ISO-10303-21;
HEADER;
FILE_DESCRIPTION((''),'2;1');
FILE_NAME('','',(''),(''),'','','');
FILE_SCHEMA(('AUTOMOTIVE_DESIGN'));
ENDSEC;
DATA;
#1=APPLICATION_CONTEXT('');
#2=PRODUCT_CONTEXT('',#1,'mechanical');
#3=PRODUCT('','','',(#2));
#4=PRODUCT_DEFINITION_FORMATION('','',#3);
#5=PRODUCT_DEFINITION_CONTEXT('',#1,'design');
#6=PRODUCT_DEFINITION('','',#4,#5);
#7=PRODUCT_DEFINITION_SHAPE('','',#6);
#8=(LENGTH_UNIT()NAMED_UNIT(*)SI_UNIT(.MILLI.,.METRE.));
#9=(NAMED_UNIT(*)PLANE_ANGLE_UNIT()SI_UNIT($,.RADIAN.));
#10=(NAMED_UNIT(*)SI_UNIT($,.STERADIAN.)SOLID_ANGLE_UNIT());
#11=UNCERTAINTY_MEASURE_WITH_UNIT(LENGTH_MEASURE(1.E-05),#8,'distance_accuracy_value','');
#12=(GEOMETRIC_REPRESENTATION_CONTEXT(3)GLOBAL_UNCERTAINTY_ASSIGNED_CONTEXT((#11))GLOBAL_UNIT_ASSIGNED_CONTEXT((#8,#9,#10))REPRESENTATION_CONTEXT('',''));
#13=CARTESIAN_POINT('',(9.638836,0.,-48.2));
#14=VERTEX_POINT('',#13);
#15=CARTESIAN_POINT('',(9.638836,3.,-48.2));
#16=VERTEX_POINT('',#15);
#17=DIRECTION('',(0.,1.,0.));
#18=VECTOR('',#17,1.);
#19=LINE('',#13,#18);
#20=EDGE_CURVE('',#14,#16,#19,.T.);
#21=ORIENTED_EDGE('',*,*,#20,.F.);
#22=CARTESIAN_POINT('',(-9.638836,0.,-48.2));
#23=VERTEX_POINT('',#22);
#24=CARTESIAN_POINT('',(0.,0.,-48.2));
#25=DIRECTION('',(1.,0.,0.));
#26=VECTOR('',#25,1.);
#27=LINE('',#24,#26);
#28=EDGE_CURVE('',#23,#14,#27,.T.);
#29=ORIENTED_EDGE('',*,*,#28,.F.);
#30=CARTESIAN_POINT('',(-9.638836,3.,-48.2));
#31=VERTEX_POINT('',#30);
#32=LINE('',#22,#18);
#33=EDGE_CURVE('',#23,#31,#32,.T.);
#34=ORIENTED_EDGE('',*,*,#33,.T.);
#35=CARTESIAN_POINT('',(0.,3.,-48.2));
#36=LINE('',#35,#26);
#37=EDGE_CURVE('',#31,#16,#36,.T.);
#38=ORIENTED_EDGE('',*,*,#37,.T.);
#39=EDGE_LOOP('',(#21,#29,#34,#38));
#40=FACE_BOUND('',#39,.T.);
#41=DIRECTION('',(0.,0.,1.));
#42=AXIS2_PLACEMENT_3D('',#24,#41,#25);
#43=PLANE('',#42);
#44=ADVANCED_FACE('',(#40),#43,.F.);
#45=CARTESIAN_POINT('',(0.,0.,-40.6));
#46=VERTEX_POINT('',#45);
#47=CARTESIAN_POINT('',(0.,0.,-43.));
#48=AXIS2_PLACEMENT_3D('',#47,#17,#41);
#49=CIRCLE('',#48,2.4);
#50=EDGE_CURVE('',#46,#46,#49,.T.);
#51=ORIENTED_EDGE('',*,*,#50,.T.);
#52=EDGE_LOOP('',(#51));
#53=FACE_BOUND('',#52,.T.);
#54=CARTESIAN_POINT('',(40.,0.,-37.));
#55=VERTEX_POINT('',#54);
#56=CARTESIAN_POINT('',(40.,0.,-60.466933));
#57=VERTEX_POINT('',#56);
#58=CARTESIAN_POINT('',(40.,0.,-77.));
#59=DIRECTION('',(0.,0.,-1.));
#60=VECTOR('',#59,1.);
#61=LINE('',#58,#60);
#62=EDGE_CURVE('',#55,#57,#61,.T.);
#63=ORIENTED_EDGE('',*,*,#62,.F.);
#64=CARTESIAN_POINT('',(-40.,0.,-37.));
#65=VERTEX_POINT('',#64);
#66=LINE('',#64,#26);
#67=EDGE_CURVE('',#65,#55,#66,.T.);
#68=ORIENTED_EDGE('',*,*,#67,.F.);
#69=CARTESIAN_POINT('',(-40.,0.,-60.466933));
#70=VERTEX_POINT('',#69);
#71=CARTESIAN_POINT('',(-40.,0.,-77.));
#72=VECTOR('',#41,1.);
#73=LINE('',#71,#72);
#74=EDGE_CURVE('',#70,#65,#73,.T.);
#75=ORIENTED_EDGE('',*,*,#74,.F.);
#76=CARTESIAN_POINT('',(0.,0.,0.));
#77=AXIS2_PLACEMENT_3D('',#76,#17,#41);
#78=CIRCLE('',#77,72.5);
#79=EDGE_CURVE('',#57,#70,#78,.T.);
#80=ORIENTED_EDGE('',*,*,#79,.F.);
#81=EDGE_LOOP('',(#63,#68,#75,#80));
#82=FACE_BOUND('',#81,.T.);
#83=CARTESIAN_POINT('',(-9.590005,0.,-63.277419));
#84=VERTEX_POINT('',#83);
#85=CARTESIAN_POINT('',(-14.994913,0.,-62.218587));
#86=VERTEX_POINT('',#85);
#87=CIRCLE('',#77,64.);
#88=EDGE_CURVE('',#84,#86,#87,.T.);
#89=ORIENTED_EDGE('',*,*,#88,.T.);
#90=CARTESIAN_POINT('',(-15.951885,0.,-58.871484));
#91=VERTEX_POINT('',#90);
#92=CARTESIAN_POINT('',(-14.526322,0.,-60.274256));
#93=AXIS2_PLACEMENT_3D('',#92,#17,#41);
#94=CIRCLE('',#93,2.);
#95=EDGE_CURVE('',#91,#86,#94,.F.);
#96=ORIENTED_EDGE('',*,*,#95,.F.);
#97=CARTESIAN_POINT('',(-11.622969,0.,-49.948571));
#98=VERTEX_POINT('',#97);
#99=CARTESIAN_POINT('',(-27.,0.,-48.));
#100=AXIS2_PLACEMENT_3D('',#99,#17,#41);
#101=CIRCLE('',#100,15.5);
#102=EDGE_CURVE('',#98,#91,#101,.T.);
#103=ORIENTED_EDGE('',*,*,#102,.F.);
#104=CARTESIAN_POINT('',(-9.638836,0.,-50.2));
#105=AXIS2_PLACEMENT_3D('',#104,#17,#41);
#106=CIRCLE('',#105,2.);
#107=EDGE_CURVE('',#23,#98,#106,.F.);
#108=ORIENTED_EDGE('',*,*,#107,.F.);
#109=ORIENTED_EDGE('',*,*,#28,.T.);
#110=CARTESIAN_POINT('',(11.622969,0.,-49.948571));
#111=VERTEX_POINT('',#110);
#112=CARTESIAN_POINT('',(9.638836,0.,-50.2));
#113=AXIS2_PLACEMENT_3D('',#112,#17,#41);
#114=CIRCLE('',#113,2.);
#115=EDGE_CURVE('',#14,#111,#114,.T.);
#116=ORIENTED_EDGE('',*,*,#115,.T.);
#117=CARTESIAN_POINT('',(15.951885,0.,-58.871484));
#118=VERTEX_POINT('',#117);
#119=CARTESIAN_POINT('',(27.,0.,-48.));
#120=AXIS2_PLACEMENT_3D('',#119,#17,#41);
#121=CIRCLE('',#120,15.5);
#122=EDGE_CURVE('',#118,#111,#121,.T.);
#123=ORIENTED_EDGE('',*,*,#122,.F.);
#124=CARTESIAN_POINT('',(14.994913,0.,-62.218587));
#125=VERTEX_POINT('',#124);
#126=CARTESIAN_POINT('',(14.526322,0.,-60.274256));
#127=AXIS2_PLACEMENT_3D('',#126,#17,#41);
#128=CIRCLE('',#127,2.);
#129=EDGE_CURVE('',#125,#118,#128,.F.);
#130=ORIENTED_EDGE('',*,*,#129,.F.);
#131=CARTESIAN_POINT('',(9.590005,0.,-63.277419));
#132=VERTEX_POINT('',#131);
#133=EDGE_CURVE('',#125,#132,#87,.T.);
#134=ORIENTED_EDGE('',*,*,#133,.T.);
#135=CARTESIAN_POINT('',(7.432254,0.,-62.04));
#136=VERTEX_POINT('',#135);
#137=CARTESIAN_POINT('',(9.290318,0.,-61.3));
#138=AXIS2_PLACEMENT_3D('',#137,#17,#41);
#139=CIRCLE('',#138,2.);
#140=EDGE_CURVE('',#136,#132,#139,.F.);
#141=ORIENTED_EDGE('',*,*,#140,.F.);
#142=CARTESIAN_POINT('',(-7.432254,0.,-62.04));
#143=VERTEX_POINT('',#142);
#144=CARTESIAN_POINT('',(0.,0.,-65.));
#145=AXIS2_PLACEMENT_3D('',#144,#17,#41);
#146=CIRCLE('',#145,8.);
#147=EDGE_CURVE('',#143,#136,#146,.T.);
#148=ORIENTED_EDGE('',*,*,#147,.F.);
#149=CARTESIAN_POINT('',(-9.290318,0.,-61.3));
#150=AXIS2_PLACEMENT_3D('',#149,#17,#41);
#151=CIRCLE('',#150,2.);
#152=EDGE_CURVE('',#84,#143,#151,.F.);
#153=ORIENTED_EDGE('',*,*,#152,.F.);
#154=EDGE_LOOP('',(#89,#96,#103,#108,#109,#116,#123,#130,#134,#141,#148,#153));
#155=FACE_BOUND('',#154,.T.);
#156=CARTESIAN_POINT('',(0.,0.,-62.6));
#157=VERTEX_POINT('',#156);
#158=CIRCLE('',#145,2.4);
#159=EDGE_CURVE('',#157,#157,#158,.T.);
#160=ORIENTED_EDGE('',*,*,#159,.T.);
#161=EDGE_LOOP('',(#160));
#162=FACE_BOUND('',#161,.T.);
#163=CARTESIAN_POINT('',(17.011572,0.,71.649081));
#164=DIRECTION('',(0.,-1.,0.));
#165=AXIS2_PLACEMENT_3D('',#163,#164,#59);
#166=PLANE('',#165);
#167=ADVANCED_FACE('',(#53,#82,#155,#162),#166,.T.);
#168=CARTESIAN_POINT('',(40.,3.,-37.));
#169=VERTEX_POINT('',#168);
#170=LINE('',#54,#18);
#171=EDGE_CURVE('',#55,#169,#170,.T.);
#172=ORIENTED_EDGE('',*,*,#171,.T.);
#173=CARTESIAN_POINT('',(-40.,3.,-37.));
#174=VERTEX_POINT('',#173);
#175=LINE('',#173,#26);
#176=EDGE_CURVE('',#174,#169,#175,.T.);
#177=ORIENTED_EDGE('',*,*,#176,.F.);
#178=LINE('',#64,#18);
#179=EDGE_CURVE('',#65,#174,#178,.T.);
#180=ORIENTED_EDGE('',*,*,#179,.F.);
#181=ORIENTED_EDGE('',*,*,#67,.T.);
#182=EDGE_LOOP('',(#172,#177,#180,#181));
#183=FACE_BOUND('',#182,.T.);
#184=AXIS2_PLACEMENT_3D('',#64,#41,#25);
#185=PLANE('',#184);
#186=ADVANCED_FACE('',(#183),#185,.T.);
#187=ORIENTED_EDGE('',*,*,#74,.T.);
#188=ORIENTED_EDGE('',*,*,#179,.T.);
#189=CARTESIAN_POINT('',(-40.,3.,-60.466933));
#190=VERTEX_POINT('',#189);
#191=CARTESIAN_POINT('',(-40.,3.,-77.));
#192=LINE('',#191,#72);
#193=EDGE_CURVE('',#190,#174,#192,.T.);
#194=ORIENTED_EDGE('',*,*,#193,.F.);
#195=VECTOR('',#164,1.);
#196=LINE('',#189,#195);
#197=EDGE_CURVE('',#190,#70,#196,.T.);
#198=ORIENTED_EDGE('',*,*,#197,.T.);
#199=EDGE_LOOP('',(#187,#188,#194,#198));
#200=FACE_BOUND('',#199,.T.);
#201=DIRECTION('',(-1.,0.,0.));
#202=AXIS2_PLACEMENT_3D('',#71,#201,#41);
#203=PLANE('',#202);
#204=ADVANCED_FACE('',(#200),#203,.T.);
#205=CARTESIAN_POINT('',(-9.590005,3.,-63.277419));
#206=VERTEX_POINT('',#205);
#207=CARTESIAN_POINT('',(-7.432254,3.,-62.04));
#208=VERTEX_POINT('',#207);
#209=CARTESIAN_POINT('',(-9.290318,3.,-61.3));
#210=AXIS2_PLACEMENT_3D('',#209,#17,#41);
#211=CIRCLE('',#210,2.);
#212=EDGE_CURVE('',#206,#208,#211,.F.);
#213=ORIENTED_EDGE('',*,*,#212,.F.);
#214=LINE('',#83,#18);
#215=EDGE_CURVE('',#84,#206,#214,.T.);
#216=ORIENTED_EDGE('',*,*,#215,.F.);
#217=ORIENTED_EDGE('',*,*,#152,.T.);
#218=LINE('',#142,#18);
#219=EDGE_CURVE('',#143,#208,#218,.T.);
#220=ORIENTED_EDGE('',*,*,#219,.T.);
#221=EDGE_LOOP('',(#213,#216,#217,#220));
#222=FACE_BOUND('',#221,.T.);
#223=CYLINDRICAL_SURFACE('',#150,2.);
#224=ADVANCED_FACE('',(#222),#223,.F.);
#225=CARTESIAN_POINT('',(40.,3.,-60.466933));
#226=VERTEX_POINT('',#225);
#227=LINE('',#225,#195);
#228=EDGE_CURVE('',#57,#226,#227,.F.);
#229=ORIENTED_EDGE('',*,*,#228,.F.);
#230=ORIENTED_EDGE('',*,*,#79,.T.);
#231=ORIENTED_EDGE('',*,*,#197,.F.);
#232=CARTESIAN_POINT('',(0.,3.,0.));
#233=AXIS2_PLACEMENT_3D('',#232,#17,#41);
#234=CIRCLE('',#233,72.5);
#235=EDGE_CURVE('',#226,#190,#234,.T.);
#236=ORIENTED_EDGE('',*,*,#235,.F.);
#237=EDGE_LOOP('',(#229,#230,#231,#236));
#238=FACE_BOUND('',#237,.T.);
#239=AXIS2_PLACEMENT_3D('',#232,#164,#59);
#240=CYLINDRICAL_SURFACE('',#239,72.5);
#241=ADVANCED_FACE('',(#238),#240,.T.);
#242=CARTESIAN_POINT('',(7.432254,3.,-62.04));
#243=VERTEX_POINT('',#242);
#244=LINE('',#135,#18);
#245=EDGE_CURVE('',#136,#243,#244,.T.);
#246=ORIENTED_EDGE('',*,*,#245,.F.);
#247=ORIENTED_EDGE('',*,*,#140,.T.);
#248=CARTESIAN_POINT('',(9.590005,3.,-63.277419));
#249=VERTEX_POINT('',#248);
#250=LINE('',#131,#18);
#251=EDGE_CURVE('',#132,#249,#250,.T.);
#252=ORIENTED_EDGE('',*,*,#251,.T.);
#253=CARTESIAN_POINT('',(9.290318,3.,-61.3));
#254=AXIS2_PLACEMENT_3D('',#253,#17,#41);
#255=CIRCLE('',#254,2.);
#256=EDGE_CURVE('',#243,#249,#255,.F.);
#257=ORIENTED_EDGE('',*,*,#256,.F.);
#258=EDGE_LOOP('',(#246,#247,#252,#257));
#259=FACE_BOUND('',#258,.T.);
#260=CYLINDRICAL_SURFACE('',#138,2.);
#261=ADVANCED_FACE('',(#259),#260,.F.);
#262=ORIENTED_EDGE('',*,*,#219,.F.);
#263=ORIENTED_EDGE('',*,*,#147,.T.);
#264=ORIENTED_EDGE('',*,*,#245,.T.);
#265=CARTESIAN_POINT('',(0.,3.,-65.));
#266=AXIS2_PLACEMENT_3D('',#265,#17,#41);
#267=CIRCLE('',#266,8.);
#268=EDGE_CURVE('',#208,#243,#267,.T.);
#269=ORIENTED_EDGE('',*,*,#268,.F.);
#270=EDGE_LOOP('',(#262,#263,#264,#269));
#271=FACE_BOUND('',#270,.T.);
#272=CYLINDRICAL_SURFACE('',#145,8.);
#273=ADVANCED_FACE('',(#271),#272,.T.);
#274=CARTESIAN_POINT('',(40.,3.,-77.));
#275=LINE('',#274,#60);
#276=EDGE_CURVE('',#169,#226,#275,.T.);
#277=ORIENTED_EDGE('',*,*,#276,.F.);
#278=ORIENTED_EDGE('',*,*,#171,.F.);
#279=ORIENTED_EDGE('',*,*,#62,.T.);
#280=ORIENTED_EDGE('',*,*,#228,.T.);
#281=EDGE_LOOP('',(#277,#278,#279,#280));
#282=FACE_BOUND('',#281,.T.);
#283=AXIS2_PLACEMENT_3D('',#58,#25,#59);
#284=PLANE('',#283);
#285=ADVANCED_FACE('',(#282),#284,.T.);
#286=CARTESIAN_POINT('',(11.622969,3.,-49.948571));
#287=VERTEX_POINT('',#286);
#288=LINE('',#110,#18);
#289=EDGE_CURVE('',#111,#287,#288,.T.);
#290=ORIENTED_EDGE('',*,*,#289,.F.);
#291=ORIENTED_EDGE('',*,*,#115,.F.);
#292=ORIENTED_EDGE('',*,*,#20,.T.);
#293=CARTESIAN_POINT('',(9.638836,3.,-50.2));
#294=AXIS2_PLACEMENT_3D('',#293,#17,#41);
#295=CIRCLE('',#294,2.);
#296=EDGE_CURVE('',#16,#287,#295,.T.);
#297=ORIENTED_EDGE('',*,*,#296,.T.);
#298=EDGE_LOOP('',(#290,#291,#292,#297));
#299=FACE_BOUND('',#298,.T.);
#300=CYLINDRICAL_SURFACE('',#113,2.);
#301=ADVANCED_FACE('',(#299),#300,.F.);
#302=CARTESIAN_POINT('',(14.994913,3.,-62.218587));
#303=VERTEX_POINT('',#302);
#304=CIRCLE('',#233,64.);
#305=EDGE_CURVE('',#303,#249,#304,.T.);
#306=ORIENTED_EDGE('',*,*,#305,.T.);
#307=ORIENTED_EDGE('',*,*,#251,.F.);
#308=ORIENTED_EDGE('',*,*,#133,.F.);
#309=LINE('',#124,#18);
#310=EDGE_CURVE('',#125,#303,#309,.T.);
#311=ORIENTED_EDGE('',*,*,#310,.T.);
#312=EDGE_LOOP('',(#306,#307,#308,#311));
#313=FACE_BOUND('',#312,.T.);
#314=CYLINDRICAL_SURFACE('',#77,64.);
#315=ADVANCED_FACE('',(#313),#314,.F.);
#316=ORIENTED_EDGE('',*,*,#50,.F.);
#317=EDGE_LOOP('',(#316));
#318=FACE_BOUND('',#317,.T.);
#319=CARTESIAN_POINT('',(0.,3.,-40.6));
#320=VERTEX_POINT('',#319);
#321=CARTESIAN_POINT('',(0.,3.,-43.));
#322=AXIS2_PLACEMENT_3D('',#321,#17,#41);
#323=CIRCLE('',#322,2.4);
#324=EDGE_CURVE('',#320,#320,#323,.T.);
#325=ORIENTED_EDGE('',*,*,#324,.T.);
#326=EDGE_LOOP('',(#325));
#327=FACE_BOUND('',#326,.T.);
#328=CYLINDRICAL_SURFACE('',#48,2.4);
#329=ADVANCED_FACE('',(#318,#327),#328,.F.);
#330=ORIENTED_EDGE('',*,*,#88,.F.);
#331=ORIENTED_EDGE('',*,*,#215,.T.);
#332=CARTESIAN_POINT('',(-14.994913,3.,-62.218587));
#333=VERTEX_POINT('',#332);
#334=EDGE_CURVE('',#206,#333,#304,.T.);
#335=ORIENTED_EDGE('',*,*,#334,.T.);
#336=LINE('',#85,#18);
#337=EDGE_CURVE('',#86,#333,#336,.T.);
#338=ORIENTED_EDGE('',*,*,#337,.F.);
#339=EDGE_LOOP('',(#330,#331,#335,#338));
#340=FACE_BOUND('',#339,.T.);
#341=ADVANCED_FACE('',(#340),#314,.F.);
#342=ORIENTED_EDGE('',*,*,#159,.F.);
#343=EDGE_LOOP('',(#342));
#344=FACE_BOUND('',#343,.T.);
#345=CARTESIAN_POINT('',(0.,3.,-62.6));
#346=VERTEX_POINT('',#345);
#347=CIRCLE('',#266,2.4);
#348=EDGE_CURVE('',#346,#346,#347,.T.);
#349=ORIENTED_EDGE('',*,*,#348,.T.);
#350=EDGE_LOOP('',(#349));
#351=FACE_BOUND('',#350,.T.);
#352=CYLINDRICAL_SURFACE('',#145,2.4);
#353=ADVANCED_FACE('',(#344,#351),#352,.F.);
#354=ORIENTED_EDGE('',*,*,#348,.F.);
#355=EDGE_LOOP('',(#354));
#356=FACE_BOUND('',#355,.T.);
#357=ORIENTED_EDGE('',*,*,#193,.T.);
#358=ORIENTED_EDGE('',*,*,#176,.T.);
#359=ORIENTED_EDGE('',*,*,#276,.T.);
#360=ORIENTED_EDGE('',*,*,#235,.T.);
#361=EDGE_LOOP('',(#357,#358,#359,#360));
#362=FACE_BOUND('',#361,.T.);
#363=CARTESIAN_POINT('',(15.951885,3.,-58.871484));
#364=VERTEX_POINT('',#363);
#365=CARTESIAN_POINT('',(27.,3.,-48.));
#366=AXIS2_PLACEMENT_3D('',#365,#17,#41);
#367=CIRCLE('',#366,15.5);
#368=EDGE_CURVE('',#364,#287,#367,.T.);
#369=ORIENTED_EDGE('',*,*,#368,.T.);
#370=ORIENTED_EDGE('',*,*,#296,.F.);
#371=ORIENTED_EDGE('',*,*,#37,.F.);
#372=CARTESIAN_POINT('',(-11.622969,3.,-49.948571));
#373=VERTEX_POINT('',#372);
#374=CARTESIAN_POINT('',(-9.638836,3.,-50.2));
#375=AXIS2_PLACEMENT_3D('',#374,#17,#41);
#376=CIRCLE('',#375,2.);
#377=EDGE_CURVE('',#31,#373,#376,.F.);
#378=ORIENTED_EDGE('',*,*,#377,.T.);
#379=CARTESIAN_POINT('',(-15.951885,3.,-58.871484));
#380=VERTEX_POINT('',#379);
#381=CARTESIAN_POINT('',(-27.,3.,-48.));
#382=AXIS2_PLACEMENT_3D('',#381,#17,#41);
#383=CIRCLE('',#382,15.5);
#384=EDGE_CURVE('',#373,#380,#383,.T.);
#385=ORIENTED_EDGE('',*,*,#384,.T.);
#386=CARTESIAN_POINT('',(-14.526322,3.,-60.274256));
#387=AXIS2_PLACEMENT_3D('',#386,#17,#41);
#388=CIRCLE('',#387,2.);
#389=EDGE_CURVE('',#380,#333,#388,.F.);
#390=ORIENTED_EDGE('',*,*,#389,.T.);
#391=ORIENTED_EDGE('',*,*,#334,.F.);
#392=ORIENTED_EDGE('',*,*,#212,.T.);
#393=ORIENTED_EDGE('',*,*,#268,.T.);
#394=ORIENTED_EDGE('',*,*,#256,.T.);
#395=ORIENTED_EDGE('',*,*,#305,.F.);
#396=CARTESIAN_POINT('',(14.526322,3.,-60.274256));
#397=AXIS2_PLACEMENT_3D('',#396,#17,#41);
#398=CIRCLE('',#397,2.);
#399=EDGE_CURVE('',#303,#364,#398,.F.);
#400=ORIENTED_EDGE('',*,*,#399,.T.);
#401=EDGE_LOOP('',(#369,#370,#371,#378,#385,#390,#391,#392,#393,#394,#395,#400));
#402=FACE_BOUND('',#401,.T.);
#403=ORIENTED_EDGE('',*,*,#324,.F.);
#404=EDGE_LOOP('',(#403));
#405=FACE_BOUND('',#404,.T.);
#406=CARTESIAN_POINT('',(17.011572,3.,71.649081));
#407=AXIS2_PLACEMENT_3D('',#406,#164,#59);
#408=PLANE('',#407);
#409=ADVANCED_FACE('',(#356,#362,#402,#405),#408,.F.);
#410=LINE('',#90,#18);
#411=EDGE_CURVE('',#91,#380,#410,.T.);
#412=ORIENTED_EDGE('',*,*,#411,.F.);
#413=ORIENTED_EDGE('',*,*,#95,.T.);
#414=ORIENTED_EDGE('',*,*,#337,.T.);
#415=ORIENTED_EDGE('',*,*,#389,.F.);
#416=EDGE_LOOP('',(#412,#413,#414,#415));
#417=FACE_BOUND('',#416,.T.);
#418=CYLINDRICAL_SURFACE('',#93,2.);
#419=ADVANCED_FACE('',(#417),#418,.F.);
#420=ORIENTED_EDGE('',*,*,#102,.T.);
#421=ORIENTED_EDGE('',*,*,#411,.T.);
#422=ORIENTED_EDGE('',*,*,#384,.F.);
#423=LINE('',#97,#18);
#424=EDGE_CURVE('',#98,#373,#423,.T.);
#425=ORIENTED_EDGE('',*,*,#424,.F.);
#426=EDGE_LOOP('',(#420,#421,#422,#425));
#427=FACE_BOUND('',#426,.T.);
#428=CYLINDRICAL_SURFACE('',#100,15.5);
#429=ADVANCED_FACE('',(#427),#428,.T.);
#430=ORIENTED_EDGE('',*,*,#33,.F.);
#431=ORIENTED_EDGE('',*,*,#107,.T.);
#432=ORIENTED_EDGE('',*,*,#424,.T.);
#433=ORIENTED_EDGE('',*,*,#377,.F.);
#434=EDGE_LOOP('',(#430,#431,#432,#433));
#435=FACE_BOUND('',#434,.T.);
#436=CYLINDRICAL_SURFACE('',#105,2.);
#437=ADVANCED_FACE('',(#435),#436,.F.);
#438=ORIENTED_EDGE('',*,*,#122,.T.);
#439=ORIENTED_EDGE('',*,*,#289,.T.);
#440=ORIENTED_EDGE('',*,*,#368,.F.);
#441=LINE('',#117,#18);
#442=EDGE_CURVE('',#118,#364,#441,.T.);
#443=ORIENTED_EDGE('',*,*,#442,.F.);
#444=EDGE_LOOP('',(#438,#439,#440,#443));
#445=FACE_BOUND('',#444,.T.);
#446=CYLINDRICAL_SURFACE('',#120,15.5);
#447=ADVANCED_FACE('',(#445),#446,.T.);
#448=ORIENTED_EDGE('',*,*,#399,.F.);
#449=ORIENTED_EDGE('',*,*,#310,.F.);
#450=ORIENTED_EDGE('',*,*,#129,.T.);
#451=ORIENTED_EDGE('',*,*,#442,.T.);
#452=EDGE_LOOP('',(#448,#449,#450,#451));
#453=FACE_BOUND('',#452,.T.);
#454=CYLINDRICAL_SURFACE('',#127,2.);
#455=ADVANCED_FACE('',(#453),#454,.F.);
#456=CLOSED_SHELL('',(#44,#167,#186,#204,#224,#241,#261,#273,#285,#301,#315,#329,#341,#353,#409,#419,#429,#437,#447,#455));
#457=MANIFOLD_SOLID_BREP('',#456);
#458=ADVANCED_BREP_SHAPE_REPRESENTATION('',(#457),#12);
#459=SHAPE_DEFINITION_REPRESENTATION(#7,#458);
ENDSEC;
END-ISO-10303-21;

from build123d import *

# Parameters (mm, degrees)
BOSS_EXTRUDE1_DEPTH  = 3
CUT_EXTRUDE14_DEPTH  = 103.574363269
SKETCH14_OUTSIDE_W   = 186.736
SKETCH14_OUTSIDE_H   = 177.534
SKETCH14_OUTSIDE_W_2 = 80
SKETCH14_OUTSIDE_H_2 = 40
CUT_EXTRUDE15_DEPTH  = 103.574363269
SKETCH15_R           = 2.4
CUT_EXTRUDE16_DEPTH  = 83.856804186


with BuildPart() as part:
    # Sketch1 → Boss-Extrude1 (new body)
    with BuildSketch(Plane(origin=(0, 0, 0), x_dir=(1, 0, 0), z_dir=(0, 1, 0))):
        with BuildLine():
            ThreePointArc((36.543377003, -62.616544118), (0, 72.5), (-36.543377003, -62.616544118))
            ThreePointArc((-36.543377003, -62.616544118), (-33.085954668, -63.20954405), (-30.089832649, -61.38507948))
            ThreePointArc((-30.089832649, -61.38507948), (0, -46.75), (30.089832649, -61.38507948))
            ThreePointArc((30.089832649, -61.38507948), (33.085954668, -63.20954405), (36.543377003, -62.616544118))
        make_face()
    extrude(amount=BOSS_EXTRUDE1_DEPTH)

    # Sketch13 → Cut-Extrude14 (cut, through all)
    with BuildSketch(Plane(origin=(0, 3, 0), x_dir=(1, 0, 0), z_dir=(0, 1, 0))):
        with BuildLine():
            ThreePointArc((-11.622969422, 49.948571429), (-10.961172041, 48.699523885), (-9.638836445, 48.2))
            Line((-9.638836445, 48.2), (9.638836445, 48.2))
            ThreePointArc((9.638836445, 48.2), (10.961172041, 48.699523885), (11.622969422, 49.948571429))
            ThreePointArc((11.622969422, 49.948571429), (13.054510917, 54.765599326), (15.951885484, 58.871484058))
            ThreePointArc((15.951885484, 58.871484058), (16.449270482, 60.8240474), (14.994913363, 62.21858704))
            ThreePointArc((14.994913363, 62.21858704), (12.303854546, 62.806171379), (9.590005203, 63.277419355))
            ThreePointArc((9.590005203, 63.277419355), (8.295362524, 63.03495375), (7.432254032, 62.04))
            ThreePointArc((7.432254032, 62.04), (0, 57), (-7.432254032, 62.04))
            ThreePointArc((-7.432254032, 62.04), (-8.295362524, 63.03495375), (-9.590005203, 63.277419355))
            ThreePointArc((-9.590005203, 63.277419355), (-12.303854546, 62.806171379), (-14.994913363, 62.21858704))
            ThreePointArc((-14.994913363, 62.21858704), (-16.449270482, 60.8240474), (-15.951885484, 58.871484058))
            ThreePointArc((-15.951885484, 58.871484058), (-13.054510917, 54.765599326), (-11.622969422, 49.948571429))
        make_face()
    extrude(amount=-CUT_EXTRUDE14_DEPTH, mode=Mode.SUBTRACT)

    # Sketch14 outside → Cut-Extrude15 (cut, through all)
    with BuildSketch(Plane(origin=(0, 3, 0), x_dir=(1, 0, 0), z_dir=(0, 1, 0))):
        with Locations((0, 4.601)):
            Rectangle(SKETCH14_OUTSIDE_W, SKETCH14_OUTSIDE_H)
        with Locations((0, 57)):
            Rectangle(SKETCH14_OUTSIDE_W_2, SKETCH14_OUTSIDE_H_2, mode=Mode.SUBTRACT)
    extrude(amount=-CUT_EXTRUDE15_DEPTH, mode=Mode.SUBTRACT)

    # Sketch15 → Cut-Extrude16 (cut, through all)
    with BuildSketch(Plane(origin=(0, 3, 0), x_dir=(1, 0, 0), z_dir=(0, 1, 0))):
        with Locations((0, 65)):
            Circle(SKETCH15_R)
        with Locations((0, 43)):
            Circle(SKETCH15_R)
    extrude(amount=-CUT_EXTRUDE16_DEPTH, mode=Mode.SUBTRACT)


solid = part.part
